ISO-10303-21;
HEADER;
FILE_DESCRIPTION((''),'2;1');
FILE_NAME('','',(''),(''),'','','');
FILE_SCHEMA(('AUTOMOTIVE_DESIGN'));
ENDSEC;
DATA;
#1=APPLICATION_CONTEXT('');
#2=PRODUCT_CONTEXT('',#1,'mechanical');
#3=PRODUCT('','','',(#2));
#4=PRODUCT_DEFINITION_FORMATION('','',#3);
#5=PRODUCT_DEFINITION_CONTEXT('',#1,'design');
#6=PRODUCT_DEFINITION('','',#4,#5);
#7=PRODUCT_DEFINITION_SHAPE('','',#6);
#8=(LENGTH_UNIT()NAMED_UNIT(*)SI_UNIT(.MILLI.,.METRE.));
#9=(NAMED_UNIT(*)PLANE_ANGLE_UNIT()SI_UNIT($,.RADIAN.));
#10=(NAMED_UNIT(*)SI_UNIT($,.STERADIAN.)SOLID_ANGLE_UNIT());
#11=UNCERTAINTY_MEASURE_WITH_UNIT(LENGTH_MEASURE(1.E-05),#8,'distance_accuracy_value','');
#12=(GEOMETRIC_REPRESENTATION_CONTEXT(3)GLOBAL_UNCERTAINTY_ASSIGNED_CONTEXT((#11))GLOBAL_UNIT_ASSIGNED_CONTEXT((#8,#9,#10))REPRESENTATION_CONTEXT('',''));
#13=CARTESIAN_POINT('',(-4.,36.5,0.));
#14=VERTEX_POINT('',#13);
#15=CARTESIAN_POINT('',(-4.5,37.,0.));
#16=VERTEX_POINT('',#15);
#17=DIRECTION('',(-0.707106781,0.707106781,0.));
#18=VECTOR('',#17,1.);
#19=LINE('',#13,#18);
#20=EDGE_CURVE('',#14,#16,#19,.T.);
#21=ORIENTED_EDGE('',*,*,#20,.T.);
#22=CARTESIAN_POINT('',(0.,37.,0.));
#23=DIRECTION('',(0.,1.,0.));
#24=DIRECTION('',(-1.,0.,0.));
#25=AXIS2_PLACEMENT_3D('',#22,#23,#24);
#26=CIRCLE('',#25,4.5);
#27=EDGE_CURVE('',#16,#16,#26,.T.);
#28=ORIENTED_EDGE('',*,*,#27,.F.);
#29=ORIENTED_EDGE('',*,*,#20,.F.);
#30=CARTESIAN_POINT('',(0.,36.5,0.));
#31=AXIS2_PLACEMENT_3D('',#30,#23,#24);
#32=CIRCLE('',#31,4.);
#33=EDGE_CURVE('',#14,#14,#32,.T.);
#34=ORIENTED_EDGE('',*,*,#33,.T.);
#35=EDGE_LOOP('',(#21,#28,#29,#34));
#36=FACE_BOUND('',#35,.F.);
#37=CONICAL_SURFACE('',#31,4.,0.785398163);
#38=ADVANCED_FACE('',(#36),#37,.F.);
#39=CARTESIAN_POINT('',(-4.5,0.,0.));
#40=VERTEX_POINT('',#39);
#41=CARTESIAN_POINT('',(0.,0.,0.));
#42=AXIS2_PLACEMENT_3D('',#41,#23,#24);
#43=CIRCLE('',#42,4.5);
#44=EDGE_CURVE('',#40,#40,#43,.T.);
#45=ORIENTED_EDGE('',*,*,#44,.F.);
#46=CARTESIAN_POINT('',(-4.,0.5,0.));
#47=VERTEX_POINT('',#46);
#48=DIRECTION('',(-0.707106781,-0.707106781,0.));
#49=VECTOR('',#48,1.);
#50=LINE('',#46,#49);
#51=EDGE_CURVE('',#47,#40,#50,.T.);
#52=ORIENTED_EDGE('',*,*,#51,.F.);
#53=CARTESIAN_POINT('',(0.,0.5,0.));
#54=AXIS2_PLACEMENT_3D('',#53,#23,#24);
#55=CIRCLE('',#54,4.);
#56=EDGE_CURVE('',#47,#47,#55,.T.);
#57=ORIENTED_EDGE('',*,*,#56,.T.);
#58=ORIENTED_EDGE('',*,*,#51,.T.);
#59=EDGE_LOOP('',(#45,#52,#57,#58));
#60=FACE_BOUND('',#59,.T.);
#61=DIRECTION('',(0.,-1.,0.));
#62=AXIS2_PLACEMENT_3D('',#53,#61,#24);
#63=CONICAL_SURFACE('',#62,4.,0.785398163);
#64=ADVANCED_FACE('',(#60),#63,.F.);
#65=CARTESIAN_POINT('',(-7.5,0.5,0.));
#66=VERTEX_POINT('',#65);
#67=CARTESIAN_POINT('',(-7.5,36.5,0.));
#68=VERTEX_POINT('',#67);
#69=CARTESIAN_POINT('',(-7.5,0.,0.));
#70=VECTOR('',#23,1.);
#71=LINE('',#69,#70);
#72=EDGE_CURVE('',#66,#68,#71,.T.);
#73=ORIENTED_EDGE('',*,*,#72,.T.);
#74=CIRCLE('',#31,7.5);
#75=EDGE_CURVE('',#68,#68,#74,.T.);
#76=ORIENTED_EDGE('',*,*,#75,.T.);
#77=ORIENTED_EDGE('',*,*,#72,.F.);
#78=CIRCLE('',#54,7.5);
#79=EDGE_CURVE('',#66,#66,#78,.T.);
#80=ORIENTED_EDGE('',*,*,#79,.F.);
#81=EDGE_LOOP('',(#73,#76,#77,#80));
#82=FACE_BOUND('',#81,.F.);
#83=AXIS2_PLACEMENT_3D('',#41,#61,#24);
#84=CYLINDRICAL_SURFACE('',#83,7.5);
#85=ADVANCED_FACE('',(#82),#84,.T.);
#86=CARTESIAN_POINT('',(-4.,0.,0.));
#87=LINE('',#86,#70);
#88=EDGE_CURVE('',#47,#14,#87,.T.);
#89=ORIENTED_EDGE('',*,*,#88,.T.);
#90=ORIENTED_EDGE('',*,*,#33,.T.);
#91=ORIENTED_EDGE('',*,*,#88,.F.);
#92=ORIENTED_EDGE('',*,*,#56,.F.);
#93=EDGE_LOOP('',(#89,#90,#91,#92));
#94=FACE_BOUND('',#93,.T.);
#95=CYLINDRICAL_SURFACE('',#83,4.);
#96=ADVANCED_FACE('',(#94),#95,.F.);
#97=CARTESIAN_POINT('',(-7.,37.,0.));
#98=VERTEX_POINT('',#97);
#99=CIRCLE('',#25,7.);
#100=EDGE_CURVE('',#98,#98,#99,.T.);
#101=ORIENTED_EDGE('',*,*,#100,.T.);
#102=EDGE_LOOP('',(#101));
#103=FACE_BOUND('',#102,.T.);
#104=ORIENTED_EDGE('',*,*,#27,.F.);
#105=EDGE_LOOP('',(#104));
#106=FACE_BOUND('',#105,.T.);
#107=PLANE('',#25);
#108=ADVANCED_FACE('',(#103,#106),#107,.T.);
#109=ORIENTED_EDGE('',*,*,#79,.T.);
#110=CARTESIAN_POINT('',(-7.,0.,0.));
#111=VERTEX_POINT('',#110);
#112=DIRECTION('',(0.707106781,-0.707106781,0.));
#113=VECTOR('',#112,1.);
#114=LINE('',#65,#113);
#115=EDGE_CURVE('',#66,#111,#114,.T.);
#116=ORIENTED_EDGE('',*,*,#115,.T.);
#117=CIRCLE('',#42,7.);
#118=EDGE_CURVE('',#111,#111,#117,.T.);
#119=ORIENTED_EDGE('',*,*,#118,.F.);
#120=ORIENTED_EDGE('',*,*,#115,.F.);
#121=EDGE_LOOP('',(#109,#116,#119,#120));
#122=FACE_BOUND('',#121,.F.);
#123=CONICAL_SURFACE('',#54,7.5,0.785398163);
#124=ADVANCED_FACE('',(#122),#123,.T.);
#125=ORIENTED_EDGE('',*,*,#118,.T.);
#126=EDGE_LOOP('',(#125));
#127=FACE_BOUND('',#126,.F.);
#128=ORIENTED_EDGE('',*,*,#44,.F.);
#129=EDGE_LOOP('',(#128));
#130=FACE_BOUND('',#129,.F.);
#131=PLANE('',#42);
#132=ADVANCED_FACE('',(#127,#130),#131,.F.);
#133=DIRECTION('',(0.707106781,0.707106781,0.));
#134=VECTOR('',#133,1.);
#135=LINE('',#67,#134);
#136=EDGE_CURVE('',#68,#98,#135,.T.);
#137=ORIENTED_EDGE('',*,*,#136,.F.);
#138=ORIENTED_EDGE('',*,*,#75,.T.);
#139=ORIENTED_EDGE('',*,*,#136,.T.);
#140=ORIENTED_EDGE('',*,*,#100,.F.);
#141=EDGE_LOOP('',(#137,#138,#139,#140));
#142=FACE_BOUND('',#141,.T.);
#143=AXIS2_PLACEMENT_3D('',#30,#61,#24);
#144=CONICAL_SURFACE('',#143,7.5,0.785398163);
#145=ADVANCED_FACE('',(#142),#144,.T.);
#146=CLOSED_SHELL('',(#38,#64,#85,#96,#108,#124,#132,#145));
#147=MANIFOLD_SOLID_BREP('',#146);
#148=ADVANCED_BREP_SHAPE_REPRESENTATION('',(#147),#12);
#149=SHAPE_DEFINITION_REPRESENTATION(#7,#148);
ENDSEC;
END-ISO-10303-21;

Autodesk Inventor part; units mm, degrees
ref_plane "YZ Plane" through (0, 0, 0) normal (1, 0, 0) x (0, 1, 0)
ref_plane "XZ Plane" through (0, 0, 0) normal (0, 1, 0) x (-1, 0, 0)
ref_plane "XY Plane" through (0, 0, 0) normal (0, 0, 1) x (1, 0, 0)
sketch "Sketch1" plane through (0, 0, 0) normal (0, 1, 0) x (-1, 0, 0)
  circle A0 centre (0, 0) radius 7.5
  circle A1 centre (0, 0) radius 4
  dimension "d0" = 15
  dimension "d1" = 8
extrude "Extrusion1" add sketch "Sketch1" along normal blind 37
chamfer "Chamfer1" distance 0.5 angle 45 4 edges at (7.5, 37, 0) (4, 37, 0) (7.5, 0, 0) (4, 0, 0)
properties part number "BearingLinearLMUD8" material "Steel, Mild"
